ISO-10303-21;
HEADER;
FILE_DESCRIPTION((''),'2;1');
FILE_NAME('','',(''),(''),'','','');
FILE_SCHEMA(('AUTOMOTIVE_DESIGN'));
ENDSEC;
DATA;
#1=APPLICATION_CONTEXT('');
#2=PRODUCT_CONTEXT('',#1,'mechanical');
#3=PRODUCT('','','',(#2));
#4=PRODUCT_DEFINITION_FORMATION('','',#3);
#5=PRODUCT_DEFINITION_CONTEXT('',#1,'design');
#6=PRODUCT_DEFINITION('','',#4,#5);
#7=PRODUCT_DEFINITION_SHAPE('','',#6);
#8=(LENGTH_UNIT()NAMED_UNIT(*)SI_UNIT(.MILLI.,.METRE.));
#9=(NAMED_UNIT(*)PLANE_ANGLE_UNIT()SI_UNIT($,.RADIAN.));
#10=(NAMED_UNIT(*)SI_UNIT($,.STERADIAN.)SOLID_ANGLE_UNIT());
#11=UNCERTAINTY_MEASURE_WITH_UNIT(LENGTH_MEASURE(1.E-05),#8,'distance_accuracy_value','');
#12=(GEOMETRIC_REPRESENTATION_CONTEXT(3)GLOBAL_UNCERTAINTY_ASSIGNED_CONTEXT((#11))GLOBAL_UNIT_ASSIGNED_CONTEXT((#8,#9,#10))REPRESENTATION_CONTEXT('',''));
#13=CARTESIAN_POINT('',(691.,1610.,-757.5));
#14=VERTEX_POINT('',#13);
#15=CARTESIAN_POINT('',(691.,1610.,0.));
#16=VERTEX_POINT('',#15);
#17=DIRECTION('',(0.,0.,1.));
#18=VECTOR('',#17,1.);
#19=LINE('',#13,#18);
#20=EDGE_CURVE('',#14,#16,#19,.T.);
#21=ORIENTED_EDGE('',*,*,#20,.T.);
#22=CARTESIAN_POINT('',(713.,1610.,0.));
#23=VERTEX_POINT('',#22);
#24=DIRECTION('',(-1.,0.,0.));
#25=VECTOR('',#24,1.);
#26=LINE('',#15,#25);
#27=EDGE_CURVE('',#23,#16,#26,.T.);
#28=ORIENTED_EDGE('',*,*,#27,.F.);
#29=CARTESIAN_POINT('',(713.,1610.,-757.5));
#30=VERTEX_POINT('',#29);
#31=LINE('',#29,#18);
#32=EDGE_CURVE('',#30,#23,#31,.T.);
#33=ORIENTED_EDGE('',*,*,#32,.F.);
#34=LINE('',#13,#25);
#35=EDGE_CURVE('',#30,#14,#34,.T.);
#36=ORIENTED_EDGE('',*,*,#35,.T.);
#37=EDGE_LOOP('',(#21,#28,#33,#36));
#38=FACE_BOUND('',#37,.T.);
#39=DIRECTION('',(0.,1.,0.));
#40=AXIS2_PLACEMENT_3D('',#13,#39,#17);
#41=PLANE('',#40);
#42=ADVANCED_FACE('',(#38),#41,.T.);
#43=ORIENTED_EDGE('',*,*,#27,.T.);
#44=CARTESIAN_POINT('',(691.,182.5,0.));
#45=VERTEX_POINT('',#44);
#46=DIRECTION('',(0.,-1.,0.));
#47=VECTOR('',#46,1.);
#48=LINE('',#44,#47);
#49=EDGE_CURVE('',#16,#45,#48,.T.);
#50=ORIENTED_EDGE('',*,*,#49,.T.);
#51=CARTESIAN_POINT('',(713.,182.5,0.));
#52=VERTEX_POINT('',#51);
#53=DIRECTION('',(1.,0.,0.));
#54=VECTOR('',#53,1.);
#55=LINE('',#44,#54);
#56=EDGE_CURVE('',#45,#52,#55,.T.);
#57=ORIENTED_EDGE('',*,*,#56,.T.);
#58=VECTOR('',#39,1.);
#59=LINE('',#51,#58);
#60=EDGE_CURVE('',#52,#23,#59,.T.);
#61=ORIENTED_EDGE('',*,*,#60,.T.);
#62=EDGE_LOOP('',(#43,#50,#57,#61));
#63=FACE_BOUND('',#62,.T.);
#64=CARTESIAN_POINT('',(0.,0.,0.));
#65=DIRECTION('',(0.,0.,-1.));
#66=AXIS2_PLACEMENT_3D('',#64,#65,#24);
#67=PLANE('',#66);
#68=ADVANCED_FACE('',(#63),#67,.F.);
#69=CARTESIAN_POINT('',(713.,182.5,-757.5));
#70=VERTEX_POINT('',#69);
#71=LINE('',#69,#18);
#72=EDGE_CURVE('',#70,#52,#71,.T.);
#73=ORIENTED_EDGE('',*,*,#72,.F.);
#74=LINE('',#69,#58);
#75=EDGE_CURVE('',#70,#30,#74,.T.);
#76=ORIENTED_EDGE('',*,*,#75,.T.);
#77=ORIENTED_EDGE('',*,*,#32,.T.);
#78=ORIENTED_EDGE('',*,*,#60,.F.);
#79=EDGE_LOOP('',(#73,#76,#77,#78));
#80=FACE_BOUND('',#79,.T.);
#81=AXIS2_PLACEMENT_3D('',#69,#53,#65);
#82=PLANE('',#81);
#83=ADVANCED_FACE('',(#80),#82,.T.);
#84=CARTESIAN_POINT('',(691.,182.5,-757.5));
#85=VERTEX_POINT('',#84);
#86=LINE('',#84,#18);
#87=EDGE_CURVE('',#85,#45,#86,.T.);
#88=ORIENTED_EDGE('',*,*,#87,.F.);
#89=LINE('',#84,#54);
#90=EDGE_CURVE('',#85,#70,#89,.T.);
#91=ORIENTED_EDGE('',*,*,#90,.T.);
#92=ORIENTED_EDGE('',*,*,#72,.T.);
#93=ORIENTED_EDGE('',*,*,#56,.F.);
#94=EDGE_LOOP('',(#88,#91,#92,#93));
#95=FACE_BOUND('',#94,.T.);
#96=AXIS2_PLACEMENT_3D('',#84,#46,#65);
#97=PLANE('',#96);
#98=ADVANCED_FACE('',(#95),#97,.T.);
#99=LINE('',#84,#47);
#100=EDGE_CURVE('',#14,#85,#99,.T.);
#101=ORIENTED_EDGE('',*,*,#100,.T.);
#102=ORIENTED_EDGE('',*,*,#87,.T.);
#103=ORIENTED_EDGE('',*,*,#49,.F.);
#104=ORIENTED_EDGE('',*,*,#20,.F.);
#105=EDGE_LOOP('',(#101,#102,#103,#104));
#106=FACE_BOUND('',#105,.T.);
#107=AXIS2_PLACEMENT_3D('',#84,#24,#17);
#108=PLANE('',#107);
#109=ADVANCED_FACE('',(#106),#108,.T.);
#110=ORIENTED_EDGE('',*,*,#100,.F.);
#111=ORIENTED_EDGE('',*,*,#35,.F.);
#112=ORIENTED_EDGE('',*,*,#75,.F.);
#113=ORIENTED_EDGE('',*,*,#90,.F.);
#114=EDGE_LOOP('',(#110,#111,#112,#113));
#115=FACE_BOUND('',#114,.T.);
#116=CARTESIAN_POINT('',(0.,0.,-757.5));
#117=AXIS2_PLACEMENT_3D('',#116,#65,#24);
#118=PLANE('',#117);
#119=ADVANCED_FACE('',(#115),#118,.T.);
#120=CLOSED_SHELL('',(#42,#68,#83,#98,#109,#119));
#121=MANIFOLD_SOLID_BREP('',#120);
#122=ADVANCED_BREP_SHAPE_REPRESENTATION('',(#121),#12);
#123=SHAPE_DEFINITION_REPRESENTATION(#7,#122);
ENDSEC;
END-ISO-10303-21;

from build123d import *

# Parameters (mm, degrees)
SKETCH1_W                   = 22
SKETCH1_H                   = 1427.5
STORE_ORTA_BOLME_PU_1_DEPTH = 757.5


with BuildPart() as part:
    # Sketch1 → STORE_orta_bolme_pu_1 (new body)
    with BuildSketch(Plane.XY):
        with Locations((702, 896.25)):
            Rectangle(SKETCH1_W, SKETCH1_H)
    extrude(amount=-STORE_ORTA_BOLME_PU_1_DEPTH)


solid = part.part
